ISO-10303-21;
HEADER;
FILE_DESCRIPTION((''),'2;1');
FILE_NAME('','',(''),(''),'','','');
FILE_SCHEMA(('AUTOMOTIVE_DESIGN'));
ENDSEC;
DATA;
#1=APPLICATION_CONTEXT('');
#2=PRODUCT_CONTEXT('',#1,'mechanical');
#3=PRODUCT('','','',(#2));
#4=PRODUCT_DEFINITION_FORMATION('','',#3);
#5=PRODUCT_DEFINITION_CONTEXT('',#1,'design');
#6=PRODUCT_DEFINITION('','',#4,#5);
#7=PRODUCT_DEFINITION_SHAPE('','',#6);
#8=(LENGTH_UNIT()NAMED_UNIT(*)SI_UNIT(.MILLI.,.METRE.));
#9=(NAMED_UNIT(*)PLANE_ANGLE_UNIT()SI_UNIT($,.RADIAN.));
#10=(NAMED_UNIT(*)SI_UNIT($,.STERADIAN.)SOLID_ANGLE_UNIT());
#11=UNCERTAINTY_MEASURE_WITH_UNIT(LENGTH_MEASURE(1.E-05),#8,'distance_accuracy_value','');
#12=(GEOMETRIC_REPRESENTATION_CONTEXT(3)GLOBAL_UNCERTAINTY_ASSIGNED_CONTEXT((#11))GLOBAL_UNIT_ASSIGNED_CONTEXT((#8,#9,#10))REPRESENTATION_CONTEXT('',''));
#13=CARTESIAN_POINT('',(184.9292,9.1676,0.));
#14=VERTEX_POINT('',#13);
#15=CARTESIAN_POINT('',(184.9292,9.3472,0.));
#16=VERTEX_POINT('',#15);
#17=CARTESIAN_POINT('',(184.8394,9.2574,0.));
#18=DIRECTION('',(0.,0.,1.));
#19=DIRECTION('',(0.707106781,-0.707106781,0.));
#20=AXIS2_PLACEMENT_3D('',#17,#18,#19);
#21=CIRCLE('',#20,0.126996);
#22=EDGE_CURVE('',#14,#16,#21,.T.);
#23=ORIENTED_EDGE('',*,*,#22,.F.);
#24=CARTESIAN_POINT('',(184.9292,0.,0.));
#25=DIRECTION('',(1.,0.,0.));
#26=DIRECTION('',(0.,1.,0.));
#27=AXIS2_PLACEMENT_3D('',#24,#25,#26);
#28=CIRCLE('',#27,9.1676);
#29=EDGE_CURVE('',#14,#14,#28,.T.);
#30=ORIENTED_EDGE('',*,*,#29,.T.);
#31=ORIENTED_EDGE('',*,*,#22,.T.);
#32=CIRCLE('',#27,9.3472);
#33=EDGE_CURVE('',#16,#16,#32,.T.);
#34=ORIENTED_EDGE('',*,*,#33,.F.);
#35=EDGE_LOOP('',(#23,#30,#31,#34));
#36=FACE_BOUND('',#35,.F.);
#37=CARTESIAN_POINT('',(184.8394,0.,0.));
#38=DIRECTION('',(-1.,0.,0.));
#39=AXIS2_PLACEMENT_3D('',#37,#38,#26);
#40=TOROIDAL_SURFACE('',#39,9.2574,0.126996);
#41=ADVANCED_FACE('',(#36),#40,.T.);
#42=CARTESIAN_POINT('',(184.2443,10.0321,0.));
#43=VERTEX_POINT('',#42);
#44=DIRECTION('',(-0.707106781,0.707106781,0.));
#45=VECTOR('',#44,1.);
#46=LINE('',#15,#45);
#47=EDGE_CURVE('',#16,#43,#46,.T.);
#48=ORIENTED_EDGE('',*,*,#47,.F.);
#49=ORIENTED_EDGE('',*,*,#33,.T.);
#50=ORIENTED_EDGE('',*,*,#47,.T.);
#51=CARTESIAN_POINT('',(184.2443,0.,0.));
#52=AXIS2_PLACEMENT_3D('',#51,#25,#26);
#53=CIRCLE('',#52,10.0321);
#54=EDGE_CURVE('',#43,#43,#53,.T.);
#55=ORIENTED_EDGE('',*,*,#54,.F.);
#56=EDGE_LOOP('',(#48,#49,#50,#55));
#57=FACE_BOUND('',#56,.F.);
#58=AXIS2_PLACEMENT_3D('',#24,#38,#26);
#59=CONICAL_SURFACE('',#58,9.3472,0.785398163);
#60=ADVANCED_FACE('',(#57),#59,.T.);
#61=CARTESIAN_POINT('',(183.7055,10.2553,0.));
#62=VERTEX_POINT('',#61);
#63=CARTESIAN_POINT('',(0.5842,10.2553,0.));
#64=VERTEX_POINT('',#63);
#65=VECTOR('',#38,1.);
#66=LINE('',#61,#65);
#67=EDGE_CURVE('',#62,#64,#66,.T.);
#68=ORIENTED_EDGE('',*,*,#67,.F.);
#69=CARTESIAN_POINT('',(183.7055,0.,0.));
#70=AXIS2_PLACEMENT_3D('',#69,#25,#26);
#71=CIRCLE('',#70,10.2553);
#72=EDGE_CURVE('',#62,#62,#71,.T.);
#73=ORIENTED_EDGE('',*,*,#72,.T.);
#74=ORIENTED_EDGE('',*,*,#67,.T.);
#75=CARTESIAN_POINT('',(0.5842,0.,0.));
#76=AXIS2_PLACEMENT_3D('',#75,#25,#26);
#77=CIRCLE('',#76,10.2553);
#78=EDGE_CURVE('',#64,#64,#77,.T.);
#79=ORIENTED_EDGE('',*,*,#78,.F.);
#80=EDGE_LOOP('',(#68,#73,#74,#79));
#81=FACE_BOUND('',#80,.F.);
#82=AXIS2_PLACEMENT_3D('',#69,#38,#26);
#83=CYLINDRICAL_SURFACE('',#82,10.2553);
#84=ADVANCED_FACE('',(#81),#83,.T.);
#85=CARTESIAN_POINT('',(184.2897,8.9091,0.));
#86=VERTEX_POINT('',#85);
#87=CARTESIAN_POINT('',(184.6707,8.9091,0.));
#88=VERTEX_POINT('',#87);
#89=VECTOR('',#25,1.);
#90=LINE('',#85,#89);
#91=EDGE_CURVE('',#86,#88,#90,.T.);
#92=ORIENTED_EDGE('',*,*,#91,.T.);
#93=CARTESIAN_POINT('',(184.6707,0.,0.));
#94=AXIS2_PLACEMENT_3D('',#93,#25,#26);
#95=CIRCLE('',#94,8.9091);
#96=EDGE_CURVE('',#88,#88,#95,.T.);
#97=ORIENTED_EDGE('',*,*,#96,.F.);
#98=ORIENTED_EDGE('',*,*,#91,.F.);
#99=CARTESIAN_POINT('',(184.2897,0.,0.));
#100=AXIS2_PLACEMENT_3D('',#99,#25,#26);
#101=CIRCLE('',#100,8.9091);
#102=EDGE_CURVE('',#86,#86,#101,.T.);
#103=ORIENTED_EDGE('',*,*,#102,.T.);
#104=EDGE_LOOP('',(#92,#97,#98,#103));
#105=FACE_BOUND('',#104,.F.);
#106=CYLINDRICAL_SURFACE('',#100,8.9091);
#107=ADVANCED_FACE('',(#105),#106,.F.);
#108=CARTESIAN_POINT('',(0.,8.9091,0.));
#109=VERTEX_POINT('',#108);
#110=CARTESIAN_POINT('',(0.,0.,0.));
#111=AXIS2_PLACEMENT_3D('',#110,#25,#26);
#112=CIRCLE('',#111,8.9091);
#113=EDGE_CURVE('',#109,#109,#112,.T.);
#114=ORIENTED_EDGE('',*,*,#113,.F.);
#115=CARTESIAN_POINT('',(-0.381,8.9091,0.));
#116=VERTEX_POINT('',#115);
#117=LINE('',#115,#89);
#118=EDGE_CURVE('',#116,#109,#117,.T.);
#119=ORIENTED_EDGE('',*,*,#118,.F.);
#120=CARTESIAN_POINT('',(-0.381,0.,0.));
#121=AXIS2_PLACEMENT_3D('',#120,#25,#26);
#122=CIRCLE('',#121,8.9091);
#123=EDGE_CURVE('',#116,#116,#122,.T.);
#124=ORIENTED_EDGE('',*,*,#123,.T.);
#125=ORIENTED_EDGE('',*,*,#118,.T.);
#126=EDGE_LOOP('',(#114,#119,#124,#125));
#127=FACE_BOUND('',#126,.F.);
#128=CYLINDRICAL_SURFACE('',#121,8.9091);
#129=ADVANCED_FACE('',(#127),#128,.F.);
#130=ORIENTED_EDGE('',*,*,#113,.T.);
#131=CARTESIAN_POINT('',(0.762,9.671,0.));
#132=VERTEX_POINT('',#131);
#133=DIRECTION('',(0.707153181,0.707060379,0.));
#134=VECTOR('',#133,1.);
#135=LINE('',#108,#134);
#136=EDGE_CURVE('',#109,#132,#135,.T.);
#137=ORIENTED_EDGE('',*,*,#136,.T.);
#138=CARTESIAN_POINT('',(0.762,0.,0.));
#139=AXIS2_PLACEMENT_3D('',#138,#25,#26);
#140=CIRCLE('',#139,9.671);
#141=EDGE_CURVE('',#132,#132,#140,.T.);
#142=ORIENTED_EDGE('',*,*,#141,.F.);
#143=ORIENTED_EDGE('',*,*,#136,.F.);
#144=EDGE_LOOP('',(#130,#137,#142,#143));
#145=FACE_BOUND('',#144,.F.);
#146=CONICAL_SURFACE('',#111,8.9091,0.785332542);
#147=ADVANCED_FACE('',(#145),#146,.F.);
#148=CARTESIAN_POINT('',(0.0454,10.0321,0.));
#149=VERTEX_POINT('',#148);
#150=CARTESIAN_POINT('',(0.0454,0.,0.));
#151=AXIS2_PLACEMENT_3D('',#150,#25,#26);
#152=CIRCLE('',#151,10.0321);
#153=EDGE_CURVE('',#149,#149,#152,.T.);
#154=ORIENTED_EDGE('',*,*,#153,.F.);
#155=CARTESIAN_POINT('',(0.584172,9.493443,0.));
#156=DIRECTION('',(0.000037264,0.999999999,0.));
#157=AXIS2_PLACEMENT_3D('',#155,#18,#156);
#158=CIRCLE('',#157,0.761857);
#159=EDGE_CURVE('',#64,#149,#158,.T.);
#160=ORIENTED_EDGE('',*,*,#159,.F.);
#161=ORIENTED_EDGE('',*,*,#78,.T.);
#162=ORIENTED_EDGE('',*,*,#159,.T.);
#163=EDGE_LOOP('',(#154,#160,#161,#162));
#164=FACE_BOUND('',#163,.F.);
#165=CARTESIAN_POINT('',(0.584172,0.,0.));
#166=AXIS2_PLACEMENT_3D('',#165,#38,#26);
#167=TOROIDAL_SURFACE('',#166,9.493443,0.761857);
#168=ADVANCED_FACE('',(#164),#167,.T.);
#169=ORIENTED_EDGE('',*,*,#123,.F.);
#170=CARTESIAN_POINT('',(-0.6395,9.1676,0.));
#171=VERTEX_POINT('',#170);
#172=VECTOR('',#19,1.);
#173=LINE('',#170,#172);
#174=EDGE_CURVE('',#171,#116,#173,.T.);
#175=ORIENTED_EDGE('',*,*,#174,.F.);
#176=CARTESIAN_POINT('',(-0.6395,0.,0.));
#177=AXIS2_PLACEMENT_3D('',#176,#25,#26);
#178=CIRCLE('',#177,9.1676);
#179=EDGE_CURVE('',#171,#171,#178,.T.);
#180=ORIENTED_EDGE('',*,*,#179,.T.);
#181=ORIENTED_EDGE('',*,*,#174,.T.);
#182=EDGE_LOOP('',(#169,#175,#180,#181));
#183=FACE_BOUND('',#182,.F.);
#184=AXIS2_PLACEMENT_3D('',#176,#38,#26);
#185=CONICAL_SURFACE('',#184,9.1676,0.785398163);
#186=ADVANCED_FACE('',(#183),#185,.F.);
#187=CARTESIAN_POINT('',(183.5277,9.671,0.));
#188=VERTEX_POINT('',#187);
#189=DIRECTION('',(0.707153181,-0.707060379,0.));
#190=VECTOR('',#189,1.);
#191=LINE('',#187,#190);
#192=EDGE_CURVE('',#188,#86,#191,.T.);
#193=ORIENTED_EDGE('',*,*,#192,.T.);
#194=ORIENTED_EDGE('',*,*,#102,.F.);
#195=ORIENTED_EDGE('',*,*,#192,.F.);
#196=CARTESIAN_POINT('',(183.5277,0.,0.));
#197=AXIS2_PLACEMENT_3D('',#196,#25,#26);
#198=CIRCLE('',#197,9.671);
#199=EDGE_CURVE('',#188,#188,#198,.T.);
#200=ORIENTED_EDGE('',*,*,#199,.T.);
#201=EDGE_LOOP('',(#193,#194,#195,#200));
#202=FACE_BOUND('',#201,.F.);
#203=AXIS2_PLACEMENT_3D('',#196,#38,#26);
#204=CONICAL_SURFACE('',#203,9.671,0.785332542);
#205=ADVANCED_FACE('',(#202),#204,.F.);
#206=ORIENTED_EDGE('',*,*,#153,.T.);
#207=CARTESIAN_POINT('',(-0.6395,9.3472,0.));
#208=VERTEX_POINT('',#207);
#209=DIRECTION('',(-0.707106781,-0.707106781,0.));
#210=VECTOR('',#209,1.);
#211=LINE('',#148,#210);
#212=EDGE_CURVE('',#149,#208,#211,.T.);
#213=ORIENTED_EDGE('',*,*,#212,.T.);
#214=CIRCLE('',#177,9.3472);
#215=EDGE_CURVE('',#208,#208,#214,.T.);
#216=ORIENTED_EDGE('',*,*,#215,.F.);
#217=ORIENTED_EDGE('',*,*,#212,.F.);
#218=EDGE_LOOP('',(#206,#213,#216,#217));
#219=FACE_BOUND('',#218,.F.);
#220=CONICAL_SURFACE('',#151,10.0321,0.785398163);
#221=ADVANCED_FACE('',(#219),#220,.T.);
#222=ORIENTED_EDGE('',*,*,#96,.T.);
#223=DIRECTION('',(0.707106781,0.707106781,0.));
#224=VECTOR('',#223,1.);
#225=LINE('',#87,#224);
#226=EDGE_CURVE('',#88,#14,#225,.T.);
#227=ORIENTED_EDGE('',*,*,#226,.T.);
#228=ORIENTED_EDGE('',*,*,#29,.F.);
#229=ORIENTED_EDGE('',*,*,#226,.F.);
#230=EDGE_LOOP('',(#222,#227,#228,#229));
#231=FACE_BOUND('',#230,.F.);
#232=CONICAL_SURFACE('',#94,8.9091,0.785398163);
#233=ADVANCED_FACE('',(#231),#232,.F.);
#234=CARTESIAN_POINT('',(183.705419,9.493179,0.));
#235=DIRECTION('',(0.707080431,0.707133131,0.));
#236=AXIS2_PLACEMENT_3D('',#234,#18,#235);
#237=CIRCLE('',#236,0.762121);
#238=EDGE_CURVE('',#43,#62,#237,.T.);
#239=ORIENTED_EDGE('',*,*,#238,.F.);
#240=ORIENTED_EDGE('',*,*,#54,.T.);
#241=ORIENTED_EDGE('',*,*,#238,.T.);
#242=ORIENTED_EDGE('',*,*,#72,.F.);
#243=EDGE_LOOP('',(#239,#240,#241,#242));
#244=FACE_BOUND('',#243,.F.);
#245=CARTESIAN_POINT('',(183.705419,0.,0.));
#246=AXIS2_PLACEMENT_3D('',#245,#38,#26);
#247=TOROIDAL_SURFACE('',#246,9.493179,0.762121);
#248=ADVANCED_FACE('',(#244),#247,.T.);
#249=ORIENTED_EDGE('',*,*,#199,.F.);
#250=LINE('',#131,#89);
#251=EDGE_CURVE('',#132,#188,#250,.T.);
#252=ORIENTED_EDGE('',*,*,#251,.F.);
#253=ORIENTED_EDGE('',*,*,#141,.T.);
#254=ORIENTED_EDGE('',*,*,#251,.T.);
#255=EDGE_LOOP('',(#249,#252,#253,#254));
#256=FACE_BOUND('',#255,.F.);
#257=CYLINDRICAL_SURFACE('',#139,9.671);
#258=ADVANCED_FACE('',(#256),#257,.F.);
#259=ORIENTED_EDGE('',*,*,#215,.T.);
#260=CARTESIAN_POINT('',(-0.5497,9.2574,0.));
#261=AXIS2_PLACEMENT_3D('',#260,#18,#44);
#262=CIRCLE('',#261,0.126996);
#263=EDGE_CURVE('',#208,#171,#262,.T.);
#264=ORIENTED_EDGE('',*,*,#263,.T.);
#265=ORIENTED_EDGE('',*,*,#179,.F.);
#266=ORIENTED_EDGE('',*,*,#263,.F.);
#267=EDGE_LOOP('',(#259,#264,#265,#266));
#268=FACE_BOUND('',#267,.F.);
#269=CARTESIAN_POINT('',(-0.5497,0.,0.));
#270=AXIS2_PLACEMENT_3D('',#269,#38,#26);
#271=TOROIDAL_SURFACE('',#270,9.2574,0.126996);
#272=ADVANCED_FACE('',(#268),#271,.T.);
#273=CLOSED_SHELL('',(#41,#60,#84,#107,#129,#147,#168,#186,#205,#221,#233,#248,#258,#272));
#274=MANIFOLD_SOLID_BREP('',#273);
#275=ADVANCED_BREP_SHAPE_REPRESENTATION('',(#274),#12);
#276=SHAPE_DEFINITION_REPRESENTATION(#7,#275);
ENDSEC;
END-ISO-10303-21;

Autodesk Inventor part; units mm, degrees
sketch "Sketch_1" plane through (0, 0, 0) normal (0, 0, 1) x (1, 0, 0)
  line L0 (184.2897, 0) -> (0, 0)
  arc A0 (-0.6395, 9.3472) -> (-0.6395, 9.1676) centre (-0.5497, 9.2574) ccw
  line L1 (-0.6395, 9.1676) -> (-0.381, 8.9091)
  line L2 (-0.381, 8.9091) -> (0, 8.9091)
  line L3 (0, 8.9091) -> (0.762, 9.671)
  line L4 (0.762, 9.671) -> (183.5277, 9.671)
  line L5 (183.5277, 9.671) -> (184.2897, 8.9091)
  line L6 (184.2897, 8.9091) -> (184.6707, 8.9091)
  line L7 (184.6707, 8.9091) -> (184.9292, 9.1676)
  arc A1 (184.9292, 9.1676) -> (184.9292, 9.3472) centre (184.8394, 9.2574) ccw
  line L8 (184.9292, 9.3472) -> (184.2443, 10.0321)
  arc A2 (184.2443, 10.0321) -> (183.7055, 10.2553) centre (183.7055, 9.4933) ccw
  line L9 (183.7055, 10.2553) -> (0.5842, 10.2553)
  arc A3 (0.5842, 10.2553) -> (0.0454, 10.0321) centre (0.5842, 9.4933) ccw
  line L10 (0.0454, 10.0321) -> (-0.6395, 9.3472)
revolve "Revolution1" add sketch "Sketch_1" angle 360 about axis through (184.2897, 0, 0) along (1, 0, 0)
ref_plane "cp1_XY" through (92.1449, 10.2553, 0) normal (1, 0, 0) x (0, 0, -1)
ref_plane "cp1_YZ" through (92.1449, 10.2553, 0) normal (0, 0, -1) x (0, 1, 0)
ref_plane "cp1_ZX" through (92.1449, 10.2553, 0) normal (0, 1, 0) x (1, 0, 0)
ref_plane "cp2_XY" through (92.1449, 0, -10.2553) normal (1, 0, 0) x (0, 0, -1)
ref_plane "cp2_YZ" through (92.1449, 0, -10.2553) normal (0, 0, -1) x (0, 1, 0)
ref_plane "cp2_ZX" through (92.1449, 0, -10.2553) normal (0, 1, 0) x (1, 0, 0)
ref_plane "cp3_XY" through (92.1449, -10.2553, 0) normal (1, 0, 0) x (0, 0, -1)
ref_plane "cp3_YZ" through (92.1449, -10.2553, 0) normal (0, 0, -1) x (0, 1, 0)
ref_plane "cp3_ZX" through (92.1449, -10.2553, 0) normal (0, 1, 0) x (1, 0, 0)
ref_plane "cp4_XY" through (92.1449, 0, 10.2553) normal (1, 0, 0) x (0, 0, -1)
ref_plane "cp4_YZ" through (92.1449, 0, 10.2553) normal (0, 0, -1) x (0, 1, 0)
ref_plane "cp4_ZX" through (92.1449, 0, 10.2553) normal (0, 1, 0) x (1, 0, 0)
ref_plane "tube_front_XY" through (0, 0, 0) normal (1, 0, 0) x (0, 0, -1)
ref_plane "tube_front_YZ" through (0, 0, 0) normal (0, 0, -1) x (0, 1, 0)
ref_plane "tube_front_ZX" through (0, 0, 0) normal (0, 1, 0) x (1, 0, 0)
ref_plane "tube_rear_XY" through (184.2897, 0, 0) normal (1, 0, 0) x (0, 0, -1)
ref_plane "tube_rear_YZ" through (184.2897, 0, 0) normal (0, 0, -1) x (0, 1, 0)
ref_plane "tube_rear_ZX" through (184.2897, 0, 0) normal (0, 1, 0) x (1, 0, 0)
properties part number "04R-7.25550"
